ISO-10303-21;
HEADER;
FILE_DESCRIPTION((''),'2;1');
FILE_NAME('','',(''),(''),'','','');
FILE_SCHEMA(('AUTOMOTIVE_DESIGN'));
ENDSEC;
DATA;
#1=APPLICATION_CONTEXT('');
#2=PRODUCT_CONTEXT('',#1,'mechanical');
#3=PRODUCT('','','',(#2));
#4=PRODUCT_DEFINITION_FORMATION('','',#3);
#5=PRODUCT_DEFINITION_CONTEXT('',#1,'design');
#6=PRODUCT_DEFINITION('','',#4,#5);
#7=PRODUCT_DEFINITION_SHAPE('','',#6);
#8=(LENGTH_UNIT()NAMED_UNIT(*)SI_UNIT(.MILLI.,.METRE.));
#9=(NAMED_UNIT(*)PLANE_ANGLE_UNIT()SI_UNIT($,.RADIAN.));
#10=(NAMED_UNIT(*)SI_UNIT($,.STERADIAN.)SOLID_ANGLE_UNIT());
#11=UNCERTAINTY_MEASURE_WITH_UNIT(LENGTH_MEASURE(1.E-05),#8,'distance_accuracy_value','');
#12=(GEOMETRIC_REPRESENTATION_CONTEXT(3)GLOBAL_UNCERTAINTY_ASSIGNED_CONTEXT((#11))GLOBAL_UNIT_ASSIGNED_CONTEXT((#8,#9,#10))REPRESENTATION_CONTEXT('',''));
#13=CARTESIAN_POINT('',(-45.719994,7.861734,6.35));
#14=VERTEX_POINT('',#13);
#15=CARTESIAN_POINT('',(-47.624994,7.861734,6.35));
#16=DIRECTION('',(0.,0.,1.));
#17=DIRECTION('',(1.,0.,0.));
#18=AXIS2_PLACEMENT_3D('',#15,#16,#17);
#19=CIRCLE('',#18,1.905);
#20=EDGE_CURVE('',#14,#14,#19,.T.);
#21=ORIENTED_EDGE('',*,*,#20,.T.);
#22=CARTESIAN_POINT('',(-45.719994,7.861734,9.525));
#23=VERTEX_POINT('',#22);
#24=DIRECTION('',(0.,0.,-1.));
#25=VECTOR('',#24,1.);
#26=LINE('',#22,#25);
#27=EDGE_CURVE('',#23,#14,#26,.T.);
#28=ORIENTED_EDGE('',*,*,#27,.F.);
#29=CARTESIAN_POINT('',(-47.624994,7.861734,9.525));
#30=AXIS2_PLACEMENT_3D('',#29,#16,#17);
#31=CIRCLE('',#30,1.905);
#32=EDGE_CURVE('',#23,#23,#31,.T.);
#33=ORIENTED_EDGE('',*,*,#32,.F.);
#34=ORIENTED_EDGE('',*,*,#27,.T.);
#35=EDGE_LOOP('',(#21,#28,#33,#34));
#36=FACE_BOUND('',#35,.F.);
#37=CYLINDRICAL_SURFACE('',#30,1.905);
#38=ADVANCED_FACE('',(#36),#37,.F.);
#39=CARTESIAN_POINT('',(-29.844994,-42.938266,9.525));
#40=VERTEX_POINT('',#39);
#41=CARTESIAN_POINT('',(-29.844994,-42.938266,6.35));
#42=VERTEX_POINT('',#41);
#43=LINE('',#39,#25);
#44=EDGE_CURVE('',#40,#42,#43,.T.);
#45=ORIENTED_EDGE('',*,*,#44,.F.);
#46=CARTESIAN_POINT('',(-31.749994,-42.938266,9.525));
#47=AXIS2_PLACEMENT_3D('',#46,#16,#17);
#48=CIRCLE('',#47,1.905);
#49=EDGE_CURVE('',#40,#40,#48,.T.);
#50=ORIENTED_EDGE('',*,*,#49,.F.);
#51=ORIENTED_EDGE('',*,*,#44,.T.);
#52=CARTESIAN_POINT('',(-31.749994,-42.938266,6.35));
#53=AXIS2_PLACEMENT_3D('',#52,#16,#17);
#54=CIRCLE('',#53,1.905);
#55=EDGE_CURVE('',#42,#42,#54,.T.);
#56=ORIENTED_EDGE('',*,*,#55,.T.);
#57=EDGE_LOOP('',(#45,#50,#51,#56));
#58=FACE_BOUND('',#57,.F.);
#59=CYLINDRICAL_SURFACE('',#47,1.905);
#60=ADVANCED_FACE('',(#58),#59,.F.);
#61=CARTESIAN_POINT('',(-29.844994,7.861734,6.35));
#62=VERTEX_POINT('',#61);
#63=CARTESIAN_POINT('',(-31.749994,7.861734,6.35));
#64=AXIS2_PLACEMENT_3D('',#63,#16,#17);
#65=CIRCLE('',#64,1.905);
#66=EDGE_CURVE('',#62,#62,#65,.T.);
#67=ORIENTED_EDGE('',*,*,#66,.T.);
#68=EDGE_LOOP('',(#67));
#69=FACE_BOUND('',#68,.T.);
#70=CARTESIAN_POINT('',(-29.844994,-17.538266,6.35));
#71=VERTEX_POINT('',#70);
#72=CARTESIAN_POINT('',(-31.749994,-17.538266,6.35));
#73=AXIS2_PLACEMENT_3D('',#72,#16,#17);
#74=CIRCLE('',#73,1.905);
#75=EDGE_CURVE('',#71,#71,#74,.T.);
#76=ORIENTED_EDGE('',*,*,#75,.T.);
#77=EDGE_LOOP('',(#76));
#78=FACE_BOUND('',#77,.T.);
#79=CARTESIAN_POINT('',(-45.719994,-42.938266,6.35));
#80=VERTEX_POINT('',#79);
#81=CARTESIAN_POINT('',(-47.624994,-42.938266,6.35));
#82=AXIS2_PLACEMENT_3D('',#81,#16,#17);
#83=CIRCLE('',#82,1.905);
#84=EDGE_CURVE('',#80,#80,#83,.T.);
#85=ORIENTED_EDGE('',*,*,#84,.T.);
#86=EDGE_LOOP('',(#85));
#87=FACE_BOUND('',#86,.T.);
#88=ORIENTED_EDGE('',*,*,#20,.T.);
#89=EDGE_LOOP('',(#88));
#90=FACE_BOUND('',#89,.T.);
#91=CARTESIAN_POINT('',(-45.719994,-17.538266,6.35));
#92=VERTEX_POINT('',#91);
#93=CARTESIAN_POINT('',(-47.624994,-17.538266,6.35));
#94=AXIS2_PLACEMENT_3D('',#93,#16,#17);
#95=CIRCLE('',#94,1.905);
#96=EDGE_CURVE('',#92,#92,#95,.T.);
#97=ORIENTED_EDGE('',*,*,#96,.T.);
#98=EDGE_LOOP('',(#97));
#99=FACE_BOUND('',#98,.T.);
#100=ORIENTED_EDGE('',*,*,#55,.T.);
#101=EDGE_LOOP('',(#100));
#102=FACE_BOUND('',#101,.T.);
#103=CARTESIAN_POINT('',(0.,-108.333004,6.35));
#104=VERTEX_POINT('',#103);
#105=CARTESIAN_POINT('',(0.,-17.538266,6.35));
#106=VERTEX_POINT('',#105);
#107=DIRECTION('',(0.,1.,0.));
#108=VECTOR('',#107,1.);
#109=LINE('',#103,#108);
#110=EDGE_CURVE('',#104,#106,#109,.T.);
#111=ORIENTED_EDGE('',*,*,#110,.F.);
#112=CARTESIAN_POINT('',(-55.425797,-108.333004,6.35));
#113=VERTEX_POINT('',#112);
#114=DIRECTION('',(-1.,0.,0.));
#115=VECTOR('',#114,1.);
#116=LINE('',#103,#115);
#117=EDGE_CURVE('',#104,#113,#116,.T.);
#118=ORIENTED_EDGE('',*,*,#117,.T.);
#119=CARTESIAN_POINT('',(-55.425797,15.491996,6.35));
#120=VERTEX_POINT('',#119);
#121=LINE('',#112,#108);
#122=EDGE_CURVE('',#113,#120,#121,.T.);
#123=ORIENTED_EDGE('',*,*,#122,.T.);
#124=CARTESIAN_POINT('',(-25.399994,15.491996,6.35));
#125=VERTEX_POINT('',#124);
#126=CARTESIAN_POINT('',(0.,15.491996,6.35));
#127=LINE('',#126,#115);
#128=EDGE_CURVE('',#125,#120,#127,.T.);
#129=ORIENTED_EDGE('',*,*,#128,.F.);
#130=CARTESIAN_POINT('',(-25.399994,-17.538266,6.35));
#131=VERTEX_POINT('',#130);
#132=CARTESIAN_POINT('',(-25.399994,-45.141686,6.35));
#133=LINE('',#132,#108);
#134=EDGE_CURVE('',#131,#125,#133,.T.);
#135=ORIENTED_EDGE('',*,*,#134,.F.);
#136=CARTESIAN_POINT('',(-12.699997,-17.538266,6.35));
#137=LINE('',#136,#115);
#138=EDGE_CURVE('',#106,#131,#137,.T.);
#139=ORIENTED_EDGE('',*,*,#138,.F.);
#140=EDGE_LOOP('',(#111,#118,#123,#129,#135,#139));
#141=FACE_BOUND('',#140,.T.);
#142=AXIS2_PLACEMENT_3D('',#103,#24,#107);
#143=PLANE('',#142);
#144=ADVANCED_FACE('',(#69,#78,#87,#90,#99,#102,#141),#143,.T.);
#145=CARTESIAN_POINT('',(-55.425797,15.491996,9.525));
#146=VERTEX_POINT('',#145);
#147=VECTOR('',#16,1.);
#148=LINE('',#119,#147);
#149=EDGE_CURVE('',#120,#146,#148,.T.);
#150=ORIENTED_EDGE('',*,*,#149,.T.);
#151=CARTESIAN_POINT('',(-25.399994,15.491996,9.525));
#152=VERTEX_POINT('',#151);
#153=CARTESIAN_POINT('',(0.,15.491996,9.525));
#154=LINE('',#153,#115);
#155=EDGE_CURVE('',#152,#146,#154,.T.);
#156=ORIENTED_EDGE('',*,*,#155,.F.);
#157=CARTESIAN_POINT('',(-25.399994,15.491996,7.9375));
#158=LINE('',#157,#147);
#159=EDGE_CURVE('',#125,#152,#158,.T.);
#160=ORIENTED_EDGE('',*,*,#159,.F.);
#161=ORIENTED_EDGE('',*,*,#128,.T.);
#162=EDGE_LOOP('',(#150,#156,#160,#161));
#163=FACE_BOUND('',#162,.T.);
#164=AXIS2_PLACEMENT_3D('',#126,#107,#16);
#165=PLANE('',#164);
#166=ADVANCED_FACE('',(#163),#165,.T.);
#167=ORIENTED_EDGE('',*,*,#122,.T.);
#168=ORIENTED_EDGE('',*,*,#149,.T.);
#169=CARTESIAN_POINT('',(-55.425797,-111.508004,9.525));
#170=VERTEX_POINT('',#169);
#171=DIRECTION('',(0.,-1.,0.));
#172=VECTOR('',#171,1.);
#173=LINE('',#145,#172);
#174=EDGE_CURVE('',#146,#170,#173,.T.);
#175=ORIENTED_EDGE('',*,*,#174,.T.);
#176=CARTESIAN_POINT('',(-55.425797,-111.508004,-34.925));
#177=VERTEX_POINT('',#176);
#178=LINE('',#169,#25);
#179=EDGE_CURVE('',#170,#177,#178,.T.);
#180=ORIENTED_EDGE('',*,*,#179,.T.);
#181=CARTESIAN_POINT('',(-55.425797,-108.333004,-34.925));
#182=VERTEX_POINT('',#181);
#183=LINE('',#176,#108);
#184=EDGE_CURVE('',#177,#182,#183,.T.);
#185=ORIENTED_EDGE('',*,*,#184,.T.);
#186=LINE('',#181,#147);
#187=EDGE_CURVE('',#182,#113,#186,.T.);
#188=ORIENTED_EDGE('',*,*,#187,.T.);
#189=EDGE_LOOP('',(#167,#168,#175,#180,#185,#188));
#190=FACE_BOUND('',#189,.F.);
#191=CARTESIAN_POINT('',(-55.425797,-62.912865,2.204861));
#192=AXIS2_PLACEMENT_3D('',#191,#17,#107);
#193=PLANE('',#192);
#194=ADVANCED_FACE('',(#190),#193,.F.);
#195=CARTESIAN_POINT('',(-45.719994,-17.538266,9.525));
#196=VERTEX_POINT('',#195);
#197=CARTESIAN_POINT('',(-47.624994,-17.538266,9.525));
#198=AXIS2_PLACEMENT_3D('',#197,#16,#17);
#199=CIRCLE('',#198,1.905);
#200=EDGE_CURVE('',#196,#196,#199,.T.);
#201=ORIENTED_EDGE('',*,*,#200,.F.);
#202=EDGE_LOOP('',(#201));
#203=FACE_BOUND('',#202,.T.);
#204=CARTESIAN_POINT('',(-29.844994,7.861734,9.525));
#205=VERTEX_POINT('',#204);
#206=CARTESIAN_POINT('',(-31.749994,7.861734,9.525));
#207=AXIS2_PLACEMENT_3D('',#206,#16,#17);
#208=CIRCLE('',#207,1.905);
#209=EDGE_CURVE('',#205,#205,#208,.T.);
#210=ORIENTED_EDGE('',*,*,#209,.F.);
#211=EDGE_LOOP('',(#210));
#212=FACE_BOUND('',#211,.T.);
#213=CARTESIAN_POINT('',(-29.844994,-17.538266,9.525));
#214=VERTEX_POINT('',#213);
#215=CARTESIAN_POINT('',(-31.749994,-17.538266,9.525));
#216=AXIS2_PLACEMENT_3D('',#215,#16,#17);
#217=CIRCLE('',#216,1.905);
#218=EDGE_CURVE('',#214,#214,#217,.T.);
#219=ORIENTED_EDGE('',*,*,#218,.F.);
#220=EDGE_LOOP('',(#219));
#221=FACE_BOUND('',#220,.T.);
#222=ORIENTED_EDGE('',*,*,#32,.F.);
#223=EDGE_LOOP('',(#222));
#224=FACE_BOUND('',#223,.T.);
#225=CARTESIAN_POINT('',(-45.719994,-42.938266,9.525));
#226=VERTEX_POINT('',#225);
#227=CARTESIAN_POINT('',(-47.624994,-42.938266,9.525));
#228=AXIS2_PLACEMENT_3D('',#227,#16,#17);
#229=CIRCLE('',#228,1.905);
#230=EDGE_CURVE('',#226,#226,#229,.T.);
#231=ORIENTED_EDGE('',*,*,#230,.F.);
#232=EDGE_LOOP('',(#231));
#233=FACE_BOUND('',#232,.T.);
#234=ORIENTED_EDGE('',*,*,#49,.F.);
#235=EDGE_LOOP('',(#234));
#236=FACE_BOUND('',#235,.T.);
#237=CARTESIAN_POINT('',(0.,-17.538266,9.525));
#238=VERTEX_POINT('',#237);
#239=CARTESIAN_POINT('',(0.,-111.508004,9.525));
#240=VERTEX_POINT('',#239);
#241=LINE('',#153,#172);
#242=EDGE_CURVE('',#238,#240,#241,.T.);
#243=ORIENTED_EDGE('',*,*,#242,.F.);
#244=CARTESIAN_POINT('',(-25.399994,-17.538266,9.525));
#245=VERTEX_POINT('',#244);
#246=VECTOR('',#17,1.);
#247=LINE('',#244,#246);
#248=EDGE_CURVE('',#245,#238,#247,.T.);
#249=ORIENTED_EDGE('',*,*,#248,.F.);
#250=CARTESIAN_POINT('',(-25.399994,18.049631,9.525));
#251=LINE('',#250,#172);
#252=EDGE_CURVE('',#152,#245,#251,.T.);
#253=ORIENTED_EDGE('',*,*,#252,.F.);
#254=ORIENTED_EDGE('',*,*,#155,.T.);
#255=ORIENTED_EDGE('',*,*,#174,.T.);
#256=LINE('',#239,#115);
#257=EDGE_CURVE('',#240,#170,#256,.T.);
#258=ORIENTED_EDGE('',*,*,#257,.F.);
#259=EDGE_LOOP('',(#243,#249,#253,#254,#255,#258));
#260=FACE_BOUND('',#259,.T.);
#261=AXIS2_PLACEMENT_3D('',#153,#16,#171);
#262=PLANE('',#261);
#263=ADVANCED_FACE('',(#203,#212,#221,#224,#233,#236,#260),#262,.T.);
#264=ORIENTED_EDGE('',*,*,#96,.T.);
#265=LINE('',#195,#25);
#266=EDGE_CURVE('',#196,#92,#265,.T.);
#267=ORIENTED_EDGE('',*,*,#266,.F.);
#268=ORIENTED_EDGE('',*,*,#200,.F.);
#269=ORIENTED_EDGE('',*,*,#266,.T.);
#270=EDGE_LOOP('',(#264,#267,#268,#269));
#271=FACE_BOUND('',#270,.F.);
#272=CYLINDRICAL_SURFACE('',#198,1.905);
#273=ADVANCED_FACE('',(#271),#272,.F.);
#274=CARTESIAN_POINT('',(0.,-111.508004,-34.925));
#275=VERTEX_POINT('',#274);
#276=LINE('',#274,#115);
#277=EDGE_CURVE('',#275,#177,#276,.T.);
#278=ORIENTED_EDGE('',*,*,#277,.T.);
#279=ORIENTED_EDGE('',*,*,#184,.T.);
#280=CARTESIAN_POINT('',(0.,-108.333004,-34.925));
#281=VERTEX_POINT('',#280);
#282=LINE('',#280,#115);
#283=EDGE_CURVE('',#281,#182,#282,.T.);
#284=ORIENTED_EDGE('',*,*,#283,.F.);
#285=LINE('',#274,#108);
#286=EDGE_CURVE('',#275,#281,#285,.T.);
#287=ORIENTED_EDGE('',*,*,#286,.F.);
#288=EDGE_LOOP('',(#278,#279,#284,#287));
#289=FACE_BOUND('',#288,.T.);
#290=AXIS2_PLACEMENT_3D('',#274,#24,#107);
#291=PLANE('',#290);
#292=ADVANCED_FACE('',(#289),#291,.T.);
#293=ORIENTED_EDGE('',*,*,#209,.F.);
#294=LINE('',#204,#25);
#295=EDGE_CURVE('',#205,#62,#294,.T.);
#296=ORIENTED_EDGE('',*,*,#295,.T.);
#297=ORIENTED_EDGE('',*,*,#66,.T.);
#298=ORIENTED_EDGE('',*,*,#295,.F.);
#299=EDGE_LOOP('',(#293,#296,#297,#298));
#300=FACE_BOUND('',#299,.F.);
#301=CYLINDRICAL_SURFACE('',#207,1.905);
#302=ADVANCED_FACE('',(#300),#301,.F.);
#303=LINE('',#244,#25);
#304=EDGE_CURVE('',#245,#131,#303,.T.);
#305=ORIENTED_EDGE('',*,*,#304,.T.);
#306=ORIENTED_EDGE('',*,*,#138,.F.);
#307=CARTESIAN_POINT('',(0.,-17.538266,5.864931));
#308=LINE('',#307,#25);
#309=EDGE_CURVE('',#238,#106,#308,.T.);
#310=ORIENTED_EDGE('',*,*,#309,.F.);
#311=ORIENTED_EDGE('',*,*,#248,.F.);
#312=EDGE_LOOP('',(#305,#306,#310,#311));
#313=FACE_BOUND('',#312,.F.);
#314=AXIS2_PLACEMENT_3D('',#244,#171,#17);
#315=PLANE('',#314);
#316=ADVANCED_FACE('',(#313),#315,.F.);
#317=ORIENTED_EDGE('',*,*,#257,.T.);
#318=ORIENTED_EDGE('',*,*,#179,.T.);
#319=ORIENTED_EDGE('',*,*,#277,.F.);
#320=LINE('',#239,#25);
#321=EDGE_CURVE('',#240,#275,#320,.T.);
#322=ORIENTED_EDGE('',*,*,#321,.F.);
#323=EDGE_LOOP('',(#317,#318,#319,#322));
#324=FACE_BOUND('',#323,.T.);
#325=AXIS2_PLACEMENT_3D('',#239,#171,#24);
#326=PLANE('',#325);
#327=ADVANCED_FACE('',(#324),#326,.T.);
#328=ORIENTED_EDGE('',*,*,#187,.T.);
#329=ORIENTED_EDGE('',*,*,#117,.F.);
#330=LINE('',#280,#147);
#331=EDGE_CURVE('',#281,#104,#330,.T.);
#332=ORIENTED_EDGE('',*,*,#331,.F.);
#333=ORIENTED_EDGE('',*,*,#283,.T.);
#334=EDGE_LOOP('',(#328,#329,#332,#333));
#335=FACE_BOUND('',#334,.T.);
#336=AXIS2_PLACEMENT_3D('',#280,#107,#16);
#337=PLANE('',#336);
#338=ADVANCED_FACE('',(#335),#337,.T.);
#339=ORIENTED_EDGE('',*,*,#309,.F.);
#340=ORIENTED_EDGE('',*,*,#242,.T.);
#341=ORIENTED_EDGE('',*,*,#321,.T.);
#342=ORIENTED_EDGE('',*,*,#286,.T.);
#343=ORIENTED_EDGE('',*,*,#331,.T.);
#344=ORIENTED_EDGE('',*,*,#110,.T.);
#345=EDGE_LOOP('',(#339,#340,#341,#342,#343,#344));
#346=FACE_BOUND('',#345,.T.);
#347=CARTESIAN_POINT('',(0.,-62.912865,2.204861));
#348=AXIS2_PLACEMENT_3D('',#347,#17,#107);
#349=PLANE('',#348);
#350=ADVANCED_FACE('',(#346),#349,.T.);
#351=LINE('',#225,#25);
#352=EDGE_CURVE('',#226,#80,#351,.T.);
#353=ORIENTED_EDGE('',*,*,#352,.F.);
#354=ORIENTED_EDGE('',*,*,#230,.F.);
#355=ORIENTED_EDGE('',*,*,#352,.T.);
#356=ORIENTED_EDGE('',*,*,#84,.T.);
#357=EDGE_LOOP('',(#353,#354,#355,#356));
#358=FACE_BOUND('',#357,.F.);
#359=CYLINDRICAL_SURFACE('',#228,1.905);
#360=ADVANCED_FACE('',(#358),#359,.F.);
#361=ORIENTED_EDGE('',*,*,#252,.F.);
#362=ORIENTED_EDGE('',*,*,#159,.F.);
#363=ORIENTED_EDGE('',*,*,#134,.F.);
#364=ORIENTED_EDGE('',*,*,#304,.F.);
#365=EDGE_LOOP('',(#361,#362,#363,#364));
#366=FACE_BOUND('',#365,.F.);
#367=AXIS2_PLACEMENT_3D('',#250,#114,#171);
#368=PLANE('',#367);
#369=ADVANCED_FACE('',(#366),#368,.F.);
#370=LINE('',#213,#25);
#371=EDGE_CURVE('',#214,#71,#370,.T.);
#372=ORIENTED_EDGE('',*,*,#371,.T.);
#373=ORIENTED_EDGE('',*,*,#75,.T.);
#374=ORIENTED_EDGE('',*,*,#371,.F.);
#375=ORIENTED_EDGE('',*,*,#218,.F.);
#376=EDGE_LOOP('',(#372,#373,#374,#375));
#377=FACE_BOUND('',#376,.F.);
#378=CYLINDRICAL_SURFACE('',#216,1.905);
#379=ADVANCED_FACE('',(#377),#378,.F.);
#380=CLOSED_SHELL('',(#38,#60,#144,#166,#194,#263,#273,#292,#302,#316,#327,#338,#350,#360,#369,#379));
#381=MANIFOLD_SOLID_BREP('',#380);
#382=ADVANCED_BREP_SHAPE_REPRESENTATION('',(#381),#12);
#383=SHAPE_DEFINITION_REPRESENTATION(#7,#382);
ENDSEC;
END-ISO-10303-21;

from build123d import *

# Parameters (mm, degrees)
F1_DEPTH = 55.425797
F2_R     = 1.905
F3_DEPTH = 25.4


with BuildPart() as f1:
    # F0 (on Right) → F1 (new body)
    with BuildSketch(Plane.YZ):
        Polygon((-108.333004, -34.925), (-108.333004, 6.35), (15.491996, 6.35), (15.491996, 9.525), (-111.508004, 9.525), (-111.508004, -34.925), align=None)
    extrude(amount=-F1_DEPTH)

    # F2 (on face) → F3 (cut)
    with BuildSketch(Plane.XY.offset(9.525)):
        with Locations((-47.624994, 7.861734)):
            Circle(F2_R)
        with Locations((-47.624994, -17.538266)):
            Circle(F2_R)
        with Locations((-47.624994, -42.938266)):
            Circle(F2_R)
        with Locations((-31.749994, -42.938266)):
            Circle(F2_R)
        with Locations((-31.749994, -17.538266)):
            Circle(F2_R)
        with Locations((-31.749994, 7.861734)):
            Circle(F2_R)
        Polygon((1e-06, 18.049631), (-25.399994, 18.049631), (-25.399994, -17.538266), (6e-06, -17.538266), align=None)
    extrude(amount=-F3_DEPTH, mode=Mode.SUBTRACT)


solid = f1.part
